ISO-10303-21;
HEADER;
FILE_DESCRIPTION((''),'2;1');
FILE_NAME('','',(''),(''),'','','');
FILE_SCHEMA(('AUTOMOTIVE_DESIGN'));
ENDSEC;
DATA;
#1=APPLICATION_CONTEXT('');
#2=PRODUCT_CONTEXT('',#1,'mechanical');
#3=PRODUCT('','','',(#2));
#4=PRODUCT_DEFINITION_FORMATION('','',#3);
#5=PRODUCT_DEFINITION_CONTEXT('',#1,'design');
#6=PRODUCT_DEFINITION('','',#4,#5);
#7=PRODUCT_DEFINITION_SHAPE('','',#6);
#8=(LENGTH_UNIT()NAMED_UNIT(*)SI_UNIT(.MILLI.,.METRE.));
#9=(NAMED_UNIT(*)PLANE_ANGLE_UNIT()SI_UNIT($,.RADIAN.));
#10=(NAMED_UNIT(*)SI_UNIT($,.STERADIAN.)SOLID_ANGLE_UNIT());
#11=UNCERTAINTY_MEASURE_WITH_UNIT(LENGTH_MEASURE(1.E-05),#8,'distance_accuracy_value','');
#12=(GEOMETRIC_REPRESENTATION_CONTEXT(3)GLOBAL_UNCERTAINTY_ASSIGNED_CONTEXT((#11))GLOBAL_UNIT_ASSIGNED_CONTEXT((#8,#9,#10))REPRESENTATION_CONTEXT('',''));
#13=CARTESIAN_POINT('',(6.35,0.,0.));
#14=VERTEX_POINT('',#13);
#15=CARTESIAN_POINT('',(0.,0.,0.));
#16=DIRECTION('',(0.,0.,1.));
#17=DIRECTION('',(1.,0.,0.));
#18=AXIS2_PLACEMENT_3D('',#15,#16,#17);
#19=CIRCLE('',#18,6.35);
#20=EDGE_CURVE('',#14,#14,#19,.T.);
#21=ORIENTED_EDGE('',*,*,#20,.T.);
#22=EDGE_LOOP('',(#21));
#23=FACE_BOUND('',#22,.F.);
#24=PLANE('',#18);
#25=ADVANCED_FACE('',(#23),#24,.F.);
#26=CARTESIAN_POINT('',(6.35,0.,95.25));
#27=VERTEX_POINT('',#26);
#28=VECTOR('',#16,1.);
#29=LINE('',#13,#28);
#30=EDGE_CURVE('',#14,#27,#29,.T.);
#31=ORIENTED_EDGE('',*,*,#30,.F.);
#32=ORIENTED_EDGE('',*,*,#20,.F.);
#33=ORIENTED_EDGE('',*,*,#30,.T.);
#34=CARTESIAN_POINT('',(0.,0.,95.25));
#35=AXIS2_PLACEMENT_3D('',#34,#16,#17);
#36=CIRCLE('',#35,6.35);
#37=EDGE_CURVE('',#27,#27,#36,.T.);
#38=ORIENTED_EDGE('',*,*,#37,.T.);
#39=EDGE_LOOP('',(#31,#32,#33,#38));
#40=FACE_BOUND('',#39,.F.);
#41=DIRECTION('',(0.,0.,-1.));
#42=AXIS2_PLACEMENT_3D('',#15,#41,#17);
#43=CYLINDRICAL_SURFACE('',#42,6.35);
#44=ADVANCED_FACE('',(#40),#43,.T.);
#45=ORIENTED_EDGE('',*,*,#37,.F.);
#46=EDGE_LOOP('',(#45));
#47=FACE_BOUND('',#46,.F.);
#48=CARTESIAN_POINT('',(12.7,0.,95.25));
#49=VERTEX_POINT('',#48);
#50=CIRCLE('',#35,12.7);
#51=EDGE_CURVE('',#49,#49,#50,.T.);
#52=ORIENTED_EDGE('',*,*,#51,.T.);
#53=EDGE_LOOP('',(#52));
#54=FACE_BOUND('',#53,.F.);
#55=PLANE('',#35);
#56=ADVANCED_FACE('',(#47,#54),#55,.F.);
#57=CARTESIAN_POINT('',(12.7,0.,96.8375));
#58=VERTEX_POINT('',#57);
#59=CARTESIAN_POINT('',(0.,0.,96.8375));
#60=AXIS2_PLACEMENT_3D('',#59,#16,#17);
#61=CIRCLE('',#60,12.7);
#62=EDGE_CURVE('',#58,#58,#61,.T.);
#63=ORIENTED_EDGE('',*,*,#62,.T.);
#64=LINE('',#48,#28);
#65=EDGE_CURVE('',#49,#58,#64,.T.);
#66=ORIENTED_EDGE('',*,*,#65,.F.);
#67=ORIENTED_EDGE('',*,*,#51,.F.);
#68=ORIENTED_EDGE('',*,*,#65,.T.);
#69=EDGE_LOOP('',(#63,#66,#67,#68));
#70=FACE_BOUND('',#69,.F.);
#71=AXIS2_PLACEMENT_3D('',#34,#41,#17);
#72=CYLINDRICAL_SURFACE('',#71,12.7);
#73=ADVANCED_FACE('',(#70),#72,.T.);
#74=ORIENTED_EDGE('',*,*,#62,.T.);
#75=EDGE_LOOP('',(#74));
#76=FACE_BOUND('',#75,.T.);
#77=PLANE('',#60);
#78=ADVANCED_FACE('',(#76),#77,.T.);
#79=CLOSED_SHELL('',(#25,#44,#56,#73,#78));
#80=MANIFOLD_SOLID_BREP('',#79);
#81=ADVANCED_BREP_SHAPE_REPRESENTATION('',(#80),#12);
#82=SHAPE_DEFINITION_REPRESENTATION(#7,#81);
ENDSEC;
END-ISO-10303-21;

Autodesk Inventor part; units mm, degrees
ref_plane "YZ Plane" through (0, 0, 0) normal (1, 0, 0) x (0, 1, 0)
ref_plane "XZ Plane" through (0, 0, 0) normal (0, 1, 0) x (-1, 0, 0)
ref_plane "XY Plane" through (0, 0, 0) normal (0, 0, 1) x (1, 0, 0)
sketch "Sketch1" plane through (0, 0, 0) normal (0, 0, 1) x (1, 0, 0)
  circle A0 centre (0, 0) radius 6.35
  dimension "d0" = 12.7
extrude "Extrusion1" add sketch "Sketch1" along normal blind 95.25
sketch "Sketch2" plane through (0, 0, 95.25) normal (0, 0, 1) x (1, 0, 0)
  circle A0 centre (0, 0) radius 6.35 projected
  circle A1 centre (0, 0) radius 12.7
  dimension "d3" = 6.35
extrude "Extrusion2" add sketch "Sketch2" along normal blind 1.5875 contours A0 | A1
equation "\"d0\" = shoulder_gear_shaft_diameter"
equation "\"base_length\" = 177.8"
equation "\"base_width\" = 127"
equation "\"base_height\" = 12.7"
equation "\"base_cutout_contact_angle\" = 70deg"
equation "\"base_cutout_diameter\" = 44.45"
equation "\"turntable_motor_support_thickness\" = 3.175"
equation "\"turntable_motor_support_width\" = 63.5"
equation "\"turntable_motor_support_height\" = 25.4"
equation "\"turntable_motor_boss\" = 25.4"
equation "\"turntable_bed_depth\" = 3.175"
equation "\"turntable_diameter\" = 101.6"
equation "\"turntable_height\" = 9.525"
equation "\"turntable_spur_width\" = 6.35"
equation "\"turntable_retention_shaft_diameter\" = 6.35"
equation "\"turntable_retention_shaft_length\" = 152.4"
equation "\"spine_diameter\" = 31.75"
equation "\"spine_height\" = 25.4"
equation "\"shoulder_length\" = 50.8"
equation "\"shoulder_width\" = 69.85"
equation "\"shoulder_wall_thickness\" = 4.7625"
equation "\"shoulder_gear_diameter\" = 63.5"
equation "\"shoulder_gear_thickness\" = 6.35"
equation "\"shoulder_motor_gear_diameter\" = 25.4"
equation "\"shoulder_gear_shaft_diameter\" = 12.7"
equation "\"shoulder_motor_boss\" = 25.4"
equation "\"arm_proximal_length\" = 228.6"
equation "\"arm_proximal_thickness\" = 6.35"
equation "\"arm_proximal_central_diameter\" = 25.4"
equation "\"arm_proximal_motor_boss\" = 25.4"
equation "\"arm_distal_length\" = 177.8"
equation "\"turntable_ring_height\" = 9.525"
equation "\"turntable_ring_diameter\" = 19.05"
properties part number "shoulder_gear_shaft"
